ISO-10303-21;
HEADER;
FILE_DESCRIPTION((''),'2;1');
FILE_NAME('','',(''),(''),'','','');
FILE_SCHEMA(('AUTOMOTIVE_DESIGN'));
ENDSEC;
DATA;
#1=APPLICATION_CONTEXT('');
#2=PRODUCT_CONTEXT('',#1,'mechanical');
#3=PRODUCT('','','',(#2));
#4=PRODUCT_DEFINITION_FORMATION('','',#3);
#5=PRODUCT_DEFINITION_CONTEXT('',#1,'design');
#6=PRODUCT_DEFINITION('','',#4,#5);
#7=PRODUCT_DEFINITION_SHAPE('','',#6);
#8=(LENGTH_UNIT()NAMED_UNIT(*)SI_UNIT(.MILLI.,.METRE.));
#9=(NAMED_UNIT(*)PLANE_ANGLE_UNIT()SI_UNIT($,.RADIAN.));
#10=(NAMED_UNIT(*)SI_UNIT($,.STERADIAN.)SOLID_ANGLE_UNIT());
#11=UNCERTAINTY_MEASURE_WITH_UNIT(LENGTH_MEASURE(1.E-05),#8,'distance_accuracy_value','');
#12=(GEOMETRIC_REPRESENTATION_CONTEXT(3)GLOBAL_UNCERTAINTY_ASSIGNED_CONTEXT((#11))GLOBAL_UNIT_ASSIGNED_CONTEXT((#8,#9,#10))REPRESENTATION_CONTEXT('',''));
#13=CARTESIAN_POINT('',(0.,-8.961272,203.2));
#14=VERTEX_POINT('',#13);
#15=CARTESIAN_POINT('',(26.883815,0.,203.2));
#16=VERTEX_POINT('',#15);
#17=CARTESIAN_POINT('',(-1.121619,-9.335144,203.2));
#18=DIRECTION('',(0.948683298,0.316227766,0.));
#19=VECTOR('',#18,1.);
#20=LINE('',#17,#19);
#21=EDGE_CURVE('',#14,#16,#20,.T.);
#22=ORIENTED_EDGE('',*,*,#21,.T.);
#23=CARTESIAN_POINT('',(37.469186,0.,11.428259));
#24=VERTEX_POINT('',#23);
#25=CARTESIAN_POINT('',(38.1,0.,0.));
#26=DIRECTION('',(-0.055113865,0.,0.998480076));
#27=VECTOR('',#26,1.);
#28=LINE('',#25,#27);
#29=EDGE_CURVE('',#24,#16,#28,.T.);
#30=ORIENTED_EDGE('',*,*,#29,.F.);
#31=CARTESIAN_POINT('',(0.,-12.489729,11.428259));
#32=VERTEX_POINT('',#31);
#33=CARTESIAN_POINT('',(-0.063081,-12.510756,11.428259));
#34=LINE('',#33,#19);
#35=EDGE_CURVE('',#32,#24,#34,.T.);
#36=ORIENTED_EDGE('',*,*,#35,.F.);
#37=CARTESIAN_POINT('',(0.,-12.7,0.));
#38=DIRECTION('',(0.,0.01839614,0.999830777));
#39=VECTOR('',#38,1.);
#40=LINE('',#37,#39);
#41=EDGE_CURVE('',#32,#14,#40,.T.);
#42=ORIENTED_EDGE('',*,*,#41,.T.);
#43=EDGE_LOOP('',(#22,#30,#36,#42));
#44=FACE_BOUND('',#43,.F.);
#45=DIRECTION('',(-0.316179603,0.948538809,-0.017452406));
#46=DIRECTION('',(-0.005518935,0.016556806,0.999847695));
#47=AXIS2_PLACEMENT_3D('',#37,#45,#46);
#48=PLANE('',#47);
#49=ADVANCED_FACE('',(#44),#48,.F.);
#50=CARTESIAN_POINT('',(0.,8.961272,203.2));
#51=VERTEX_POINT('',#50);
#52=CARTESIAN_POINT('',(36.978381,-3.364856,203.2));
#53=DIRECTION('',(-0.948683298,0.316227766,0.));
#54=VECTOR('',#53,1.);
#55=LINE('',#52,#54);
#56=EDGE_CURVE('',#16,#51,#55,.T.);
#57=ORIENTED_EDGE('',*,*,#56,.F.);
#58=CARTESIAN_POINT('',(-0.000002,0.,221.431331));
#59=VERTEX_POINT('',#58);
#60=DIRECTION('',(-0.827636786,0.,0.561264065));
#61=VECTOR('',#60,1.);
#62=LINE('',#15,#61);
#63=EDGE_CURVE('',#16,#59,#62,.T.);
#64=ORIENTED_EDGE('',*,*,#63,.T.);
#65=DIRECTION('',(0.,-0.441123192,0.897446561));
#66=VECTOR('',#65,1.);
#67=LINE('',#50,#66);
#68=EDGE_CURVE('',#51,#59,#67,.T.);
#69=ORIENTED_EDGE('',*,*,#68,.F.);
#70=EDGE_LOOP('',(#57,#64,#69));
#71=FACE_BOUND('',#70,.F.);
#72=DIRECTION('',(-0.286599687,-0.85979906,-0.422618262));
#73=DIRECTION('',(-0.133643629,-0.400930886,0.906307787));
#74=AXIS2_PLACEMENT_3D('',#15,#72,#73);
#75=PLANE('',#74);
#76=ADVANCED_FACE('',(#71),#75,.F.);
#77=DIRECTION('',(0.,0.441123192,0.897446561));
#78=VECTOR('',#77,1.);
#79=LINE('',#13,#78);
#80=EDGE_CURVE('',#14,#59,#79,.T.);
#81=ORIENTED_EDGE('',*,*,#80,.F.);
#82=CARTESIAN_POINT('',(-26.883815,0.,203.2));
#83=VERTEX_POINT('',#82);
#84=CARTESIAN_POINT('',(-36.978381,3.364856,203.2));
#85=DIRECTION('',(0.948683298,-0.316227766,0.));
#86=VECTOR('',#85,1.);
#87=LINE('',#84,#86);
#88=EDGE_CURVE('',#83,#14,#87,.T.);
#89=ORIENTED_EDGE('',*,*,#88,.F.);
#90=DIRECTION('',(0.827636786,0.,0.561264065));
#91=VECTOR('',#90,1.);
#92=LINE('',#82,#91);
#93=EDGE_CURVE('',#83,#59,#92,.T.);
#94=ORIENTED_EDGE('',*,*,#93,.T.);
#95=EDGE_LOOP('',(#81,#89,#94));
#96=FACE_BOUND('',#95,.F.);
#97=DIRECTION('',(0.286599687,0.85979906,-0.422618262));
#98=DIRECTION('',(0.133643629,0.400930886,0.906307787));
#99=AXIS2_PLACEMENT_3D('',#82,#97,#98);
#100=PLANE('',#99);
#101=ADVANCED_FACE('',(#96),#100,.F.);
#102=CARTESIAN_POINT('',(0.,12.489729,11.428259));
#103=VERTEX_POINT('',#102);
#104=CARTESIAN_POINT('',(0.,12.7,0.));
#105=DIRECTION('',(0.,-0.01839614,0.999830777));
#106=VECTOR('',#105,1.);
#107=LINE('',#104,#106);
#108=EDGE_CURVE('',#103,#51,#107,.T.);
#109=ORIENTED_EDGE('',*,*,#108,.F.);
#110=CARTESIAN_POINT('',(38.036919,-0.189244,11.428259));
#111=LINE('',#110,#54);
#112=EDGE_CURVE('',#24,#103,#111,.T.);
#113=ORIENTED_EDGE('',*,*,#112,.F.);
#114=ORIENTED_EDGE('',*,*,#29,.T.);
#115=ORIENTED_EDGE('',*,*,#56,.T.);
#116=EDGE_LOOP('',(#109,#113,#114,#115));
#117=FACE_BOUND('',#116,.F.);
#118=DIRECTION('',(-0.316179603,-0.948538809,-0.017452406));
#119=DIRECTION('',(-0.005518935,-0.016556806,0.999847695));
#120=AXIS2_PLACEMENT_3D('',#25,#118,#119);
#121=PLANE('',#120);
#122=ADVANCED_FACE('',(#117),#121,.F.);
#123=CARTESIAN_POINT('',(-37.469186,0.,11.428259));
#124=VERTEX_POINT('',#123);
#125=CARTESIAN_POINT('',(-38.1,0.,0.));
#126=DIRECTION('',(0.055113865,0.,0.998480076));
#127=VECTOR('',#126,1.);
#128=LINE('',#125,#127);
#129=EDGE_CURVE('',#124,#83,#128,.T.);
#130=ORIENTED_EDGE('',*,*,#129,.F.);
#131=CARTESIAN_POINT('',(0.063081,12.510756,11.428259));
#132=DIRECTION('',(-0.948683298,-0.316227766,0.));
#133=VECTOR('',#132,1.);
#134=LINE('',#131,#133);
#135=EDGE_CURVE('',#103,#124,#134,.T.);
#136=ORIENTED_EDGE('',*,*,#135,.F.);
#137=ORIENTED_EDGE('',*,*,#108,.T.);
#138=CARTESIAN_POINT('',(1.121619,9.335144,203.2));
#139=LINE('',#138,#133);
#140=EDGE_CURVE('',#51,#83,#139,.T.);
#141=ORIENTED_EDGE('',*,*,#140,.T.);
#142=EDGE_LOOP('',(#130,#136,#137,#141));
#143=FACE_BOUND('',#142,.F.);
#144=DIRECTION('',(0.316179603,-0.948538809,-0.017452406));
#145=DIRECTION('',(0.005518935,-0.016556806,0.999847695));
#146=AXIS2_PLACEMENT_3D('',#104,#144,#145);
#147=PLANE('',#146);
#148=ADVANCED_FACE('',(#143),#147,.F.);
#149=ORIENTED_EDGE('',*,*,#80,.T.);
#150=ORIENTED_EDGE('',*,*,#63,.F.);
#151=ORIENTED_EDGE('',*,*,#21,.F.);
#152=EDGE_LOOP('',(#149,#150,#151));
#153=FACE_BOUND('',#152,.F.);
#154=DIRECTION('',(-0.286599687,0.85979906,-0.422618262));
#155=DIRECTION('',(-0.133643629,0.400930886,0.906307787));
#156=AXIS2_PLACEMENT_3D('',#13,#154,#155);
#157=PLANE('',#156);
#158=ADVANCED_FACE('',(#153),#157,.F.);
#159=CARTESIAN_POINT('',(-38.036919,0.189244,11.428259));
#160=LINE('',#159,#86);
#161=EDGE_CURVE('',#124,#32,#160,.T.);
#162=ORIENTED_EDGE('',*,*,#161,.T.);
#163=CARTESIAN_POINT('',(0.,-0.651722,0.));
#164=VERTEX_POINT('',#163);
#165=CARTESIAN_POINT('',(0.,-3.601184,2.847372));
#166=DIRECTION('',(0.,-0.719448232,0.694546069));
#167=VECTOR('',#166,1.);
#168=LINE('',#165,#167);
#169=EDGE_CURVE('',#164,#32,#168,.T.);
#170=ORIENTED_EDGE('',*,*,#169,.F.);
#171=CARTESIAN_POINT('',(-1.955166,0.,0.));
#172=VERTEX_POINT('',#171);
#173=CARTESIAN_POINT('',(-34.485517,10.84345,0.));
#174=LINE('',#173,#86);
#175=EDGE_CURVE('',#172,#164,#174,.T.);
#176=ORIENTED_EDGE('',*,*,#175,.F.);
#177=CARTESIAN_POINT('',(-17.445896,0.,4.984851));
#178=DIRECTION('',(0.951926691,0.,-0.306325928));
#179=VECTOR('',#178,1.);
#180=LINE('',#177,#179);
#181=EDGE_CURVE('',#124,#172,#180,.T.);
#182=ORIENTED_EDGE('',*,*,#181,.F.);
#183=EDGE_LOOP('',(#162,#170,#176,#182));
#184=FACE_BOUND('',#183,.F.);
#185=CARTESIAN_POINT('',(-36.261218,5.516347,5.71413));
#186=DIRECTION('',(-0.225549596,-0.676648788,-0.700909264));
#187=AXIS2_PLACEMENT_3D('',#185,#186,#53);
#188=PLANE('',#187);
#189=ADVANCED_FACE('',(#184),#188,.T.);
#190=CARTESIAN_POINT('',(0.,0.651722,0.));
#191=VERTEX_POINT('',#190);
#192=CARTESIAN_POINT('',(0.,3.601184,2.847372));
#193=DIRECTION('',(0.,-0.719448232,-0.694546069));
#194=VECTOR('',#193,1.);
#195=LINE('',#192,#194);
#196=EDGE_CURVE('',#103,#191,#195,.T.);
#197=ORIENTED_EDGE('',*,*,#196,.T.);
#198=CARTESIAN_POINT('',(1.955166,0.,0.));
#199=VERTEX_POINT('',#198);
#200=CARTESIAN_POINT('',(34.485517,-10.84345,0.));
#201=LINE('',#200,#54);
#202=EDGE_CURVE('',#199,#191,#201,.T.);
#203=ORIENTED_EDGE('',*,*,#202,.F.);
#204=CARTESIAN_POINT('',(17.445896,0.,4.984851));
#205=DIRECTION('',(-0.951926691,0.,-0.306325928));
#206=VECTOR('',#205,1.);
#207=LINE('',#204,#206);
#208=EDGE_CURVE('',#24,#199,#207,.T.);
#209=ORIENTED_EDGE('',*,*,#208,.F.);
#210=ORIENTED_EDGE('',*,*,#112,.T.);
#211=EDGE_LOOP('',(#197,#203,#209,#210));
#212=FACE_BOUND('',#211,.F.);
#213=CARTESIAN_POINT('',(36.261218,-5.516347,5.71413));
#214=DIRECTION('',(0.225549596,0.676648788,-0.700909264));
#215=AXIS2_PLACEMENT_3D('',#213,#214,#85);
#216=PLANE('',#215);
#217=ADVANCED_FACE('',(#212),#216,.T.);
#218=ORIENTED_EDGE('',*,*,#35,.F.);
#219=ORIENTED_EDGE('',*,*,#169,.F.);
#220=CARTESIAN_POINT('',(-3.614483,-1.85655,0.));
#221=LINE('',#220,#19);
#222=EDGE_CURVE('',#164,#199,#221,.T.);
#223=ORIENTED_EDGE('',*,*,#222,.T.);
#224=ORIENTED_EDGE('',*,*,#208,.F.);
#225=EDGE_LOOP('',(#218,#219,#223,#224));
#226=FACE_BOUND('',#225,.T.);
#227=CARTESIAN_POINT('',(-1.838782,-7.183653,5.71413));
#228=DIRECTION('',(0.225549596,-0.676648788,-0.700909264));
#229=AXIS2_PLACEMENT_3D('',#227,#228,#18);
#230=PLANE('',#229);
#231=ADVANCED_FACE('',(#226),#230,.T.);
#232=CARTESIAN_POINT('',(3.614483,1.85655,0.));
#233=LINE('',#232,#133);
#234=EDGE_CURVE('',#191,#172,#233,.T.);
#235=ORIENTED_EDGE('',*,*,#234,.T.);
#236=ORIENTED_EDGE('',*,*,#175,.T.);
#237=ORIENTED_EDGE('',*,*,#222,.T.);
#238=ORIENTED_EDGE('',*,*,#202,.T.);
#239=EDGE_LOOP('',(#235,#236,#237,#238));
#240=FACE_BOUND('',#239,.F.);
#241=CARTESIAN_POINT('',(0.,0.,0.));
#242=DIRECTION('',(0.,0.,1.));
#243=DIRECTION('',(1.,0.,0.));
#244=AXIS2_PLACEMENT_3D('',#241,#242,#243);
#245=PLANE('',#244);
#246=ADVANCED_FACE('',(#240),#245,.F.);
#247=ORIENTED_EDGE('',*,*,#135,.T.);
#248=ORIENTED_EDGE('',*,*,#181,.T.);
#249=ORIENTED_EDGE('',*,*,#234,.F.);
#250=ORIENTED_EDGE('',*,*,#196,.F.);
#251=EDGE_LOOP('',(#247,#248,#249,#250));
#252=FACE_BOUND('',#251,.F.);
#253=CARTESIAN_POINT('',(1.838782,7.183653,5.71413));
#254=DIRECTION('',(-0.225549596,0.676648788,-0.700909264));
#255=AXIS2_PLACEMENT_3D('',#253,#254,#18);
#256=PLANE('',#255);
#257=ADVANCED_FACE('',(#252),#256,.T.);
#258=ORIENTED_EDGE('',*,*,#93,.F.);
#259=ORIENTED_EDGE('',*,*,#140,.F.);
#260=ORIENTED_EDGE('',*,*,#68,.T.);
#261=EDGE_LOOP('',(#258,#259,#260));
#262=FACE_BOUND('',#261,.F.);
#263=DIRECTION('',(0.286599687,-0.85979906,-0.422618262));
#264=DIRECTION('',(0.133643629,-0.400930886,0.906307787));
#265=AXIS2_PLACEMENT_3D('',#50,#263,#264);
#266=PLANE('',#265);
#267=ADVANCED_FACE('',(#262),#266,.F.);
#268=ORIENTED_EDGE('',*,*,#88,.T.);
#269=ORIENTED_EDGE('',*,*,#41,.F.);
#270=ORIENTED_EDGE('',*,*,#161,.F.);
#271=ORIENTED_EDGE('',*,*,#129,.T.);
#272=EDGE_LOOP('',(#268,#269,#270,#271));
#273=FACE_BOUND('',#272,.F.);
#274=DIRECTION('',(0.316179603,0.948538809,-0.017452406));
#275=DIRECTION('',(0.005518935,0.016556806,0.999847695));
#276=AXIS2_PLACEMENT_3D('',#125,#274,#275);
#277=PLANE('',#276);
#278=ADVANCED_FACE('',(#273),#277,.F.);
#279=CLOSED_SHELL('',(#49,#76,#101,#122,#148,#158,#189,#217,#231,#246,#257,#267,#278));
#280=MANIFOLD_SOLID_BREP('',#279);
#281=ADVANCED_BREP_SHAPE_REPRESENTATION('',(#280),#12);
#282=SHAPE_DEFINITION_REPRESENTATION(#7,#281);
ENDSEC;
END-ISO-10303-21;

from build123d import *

# Parameters (mm, degrees)
F1_DEPTH = 203.2
F1_TAPER = 1
F2_DEPTH = 25.4
F2_TAPER = 25
F3_SIZE  = 11.43


with BuildPart() as f1:
    # F0 (on Top) → F1 (new body)
    with BuildSketch(Plane.XY):
        Polygon((0, 12.7), (-38.1, 0), (0, -12.7), (38.1, 0), align=None)
    extrude(amount=F1_DEPTH, taper=F1_TAPER)

    # F1_face (on face) → F2 (join)
    with BuildSketch(Plane.XY.offset(203.2)):
        Polygon((0, 8.9612715954), (-26.8838147861, 0), (0, -8.9612715954), (26.8838147861, 0), align=None)
    extrude(amount=F2_DEPTH, taper=F2_TAPER)

    # F3
    f3_edges = [f1.edges().sort_by_distance(p)[0] for p in [
        (-19.05, 6.35, 0),
        (19.05, 6.35, 0),
        (19.05, -6.35, 0),
        (-19.05, -6.35, 0),
    ]]
    chamfer(f3_edges, length=F3_SIZE)


solid = f1.part
